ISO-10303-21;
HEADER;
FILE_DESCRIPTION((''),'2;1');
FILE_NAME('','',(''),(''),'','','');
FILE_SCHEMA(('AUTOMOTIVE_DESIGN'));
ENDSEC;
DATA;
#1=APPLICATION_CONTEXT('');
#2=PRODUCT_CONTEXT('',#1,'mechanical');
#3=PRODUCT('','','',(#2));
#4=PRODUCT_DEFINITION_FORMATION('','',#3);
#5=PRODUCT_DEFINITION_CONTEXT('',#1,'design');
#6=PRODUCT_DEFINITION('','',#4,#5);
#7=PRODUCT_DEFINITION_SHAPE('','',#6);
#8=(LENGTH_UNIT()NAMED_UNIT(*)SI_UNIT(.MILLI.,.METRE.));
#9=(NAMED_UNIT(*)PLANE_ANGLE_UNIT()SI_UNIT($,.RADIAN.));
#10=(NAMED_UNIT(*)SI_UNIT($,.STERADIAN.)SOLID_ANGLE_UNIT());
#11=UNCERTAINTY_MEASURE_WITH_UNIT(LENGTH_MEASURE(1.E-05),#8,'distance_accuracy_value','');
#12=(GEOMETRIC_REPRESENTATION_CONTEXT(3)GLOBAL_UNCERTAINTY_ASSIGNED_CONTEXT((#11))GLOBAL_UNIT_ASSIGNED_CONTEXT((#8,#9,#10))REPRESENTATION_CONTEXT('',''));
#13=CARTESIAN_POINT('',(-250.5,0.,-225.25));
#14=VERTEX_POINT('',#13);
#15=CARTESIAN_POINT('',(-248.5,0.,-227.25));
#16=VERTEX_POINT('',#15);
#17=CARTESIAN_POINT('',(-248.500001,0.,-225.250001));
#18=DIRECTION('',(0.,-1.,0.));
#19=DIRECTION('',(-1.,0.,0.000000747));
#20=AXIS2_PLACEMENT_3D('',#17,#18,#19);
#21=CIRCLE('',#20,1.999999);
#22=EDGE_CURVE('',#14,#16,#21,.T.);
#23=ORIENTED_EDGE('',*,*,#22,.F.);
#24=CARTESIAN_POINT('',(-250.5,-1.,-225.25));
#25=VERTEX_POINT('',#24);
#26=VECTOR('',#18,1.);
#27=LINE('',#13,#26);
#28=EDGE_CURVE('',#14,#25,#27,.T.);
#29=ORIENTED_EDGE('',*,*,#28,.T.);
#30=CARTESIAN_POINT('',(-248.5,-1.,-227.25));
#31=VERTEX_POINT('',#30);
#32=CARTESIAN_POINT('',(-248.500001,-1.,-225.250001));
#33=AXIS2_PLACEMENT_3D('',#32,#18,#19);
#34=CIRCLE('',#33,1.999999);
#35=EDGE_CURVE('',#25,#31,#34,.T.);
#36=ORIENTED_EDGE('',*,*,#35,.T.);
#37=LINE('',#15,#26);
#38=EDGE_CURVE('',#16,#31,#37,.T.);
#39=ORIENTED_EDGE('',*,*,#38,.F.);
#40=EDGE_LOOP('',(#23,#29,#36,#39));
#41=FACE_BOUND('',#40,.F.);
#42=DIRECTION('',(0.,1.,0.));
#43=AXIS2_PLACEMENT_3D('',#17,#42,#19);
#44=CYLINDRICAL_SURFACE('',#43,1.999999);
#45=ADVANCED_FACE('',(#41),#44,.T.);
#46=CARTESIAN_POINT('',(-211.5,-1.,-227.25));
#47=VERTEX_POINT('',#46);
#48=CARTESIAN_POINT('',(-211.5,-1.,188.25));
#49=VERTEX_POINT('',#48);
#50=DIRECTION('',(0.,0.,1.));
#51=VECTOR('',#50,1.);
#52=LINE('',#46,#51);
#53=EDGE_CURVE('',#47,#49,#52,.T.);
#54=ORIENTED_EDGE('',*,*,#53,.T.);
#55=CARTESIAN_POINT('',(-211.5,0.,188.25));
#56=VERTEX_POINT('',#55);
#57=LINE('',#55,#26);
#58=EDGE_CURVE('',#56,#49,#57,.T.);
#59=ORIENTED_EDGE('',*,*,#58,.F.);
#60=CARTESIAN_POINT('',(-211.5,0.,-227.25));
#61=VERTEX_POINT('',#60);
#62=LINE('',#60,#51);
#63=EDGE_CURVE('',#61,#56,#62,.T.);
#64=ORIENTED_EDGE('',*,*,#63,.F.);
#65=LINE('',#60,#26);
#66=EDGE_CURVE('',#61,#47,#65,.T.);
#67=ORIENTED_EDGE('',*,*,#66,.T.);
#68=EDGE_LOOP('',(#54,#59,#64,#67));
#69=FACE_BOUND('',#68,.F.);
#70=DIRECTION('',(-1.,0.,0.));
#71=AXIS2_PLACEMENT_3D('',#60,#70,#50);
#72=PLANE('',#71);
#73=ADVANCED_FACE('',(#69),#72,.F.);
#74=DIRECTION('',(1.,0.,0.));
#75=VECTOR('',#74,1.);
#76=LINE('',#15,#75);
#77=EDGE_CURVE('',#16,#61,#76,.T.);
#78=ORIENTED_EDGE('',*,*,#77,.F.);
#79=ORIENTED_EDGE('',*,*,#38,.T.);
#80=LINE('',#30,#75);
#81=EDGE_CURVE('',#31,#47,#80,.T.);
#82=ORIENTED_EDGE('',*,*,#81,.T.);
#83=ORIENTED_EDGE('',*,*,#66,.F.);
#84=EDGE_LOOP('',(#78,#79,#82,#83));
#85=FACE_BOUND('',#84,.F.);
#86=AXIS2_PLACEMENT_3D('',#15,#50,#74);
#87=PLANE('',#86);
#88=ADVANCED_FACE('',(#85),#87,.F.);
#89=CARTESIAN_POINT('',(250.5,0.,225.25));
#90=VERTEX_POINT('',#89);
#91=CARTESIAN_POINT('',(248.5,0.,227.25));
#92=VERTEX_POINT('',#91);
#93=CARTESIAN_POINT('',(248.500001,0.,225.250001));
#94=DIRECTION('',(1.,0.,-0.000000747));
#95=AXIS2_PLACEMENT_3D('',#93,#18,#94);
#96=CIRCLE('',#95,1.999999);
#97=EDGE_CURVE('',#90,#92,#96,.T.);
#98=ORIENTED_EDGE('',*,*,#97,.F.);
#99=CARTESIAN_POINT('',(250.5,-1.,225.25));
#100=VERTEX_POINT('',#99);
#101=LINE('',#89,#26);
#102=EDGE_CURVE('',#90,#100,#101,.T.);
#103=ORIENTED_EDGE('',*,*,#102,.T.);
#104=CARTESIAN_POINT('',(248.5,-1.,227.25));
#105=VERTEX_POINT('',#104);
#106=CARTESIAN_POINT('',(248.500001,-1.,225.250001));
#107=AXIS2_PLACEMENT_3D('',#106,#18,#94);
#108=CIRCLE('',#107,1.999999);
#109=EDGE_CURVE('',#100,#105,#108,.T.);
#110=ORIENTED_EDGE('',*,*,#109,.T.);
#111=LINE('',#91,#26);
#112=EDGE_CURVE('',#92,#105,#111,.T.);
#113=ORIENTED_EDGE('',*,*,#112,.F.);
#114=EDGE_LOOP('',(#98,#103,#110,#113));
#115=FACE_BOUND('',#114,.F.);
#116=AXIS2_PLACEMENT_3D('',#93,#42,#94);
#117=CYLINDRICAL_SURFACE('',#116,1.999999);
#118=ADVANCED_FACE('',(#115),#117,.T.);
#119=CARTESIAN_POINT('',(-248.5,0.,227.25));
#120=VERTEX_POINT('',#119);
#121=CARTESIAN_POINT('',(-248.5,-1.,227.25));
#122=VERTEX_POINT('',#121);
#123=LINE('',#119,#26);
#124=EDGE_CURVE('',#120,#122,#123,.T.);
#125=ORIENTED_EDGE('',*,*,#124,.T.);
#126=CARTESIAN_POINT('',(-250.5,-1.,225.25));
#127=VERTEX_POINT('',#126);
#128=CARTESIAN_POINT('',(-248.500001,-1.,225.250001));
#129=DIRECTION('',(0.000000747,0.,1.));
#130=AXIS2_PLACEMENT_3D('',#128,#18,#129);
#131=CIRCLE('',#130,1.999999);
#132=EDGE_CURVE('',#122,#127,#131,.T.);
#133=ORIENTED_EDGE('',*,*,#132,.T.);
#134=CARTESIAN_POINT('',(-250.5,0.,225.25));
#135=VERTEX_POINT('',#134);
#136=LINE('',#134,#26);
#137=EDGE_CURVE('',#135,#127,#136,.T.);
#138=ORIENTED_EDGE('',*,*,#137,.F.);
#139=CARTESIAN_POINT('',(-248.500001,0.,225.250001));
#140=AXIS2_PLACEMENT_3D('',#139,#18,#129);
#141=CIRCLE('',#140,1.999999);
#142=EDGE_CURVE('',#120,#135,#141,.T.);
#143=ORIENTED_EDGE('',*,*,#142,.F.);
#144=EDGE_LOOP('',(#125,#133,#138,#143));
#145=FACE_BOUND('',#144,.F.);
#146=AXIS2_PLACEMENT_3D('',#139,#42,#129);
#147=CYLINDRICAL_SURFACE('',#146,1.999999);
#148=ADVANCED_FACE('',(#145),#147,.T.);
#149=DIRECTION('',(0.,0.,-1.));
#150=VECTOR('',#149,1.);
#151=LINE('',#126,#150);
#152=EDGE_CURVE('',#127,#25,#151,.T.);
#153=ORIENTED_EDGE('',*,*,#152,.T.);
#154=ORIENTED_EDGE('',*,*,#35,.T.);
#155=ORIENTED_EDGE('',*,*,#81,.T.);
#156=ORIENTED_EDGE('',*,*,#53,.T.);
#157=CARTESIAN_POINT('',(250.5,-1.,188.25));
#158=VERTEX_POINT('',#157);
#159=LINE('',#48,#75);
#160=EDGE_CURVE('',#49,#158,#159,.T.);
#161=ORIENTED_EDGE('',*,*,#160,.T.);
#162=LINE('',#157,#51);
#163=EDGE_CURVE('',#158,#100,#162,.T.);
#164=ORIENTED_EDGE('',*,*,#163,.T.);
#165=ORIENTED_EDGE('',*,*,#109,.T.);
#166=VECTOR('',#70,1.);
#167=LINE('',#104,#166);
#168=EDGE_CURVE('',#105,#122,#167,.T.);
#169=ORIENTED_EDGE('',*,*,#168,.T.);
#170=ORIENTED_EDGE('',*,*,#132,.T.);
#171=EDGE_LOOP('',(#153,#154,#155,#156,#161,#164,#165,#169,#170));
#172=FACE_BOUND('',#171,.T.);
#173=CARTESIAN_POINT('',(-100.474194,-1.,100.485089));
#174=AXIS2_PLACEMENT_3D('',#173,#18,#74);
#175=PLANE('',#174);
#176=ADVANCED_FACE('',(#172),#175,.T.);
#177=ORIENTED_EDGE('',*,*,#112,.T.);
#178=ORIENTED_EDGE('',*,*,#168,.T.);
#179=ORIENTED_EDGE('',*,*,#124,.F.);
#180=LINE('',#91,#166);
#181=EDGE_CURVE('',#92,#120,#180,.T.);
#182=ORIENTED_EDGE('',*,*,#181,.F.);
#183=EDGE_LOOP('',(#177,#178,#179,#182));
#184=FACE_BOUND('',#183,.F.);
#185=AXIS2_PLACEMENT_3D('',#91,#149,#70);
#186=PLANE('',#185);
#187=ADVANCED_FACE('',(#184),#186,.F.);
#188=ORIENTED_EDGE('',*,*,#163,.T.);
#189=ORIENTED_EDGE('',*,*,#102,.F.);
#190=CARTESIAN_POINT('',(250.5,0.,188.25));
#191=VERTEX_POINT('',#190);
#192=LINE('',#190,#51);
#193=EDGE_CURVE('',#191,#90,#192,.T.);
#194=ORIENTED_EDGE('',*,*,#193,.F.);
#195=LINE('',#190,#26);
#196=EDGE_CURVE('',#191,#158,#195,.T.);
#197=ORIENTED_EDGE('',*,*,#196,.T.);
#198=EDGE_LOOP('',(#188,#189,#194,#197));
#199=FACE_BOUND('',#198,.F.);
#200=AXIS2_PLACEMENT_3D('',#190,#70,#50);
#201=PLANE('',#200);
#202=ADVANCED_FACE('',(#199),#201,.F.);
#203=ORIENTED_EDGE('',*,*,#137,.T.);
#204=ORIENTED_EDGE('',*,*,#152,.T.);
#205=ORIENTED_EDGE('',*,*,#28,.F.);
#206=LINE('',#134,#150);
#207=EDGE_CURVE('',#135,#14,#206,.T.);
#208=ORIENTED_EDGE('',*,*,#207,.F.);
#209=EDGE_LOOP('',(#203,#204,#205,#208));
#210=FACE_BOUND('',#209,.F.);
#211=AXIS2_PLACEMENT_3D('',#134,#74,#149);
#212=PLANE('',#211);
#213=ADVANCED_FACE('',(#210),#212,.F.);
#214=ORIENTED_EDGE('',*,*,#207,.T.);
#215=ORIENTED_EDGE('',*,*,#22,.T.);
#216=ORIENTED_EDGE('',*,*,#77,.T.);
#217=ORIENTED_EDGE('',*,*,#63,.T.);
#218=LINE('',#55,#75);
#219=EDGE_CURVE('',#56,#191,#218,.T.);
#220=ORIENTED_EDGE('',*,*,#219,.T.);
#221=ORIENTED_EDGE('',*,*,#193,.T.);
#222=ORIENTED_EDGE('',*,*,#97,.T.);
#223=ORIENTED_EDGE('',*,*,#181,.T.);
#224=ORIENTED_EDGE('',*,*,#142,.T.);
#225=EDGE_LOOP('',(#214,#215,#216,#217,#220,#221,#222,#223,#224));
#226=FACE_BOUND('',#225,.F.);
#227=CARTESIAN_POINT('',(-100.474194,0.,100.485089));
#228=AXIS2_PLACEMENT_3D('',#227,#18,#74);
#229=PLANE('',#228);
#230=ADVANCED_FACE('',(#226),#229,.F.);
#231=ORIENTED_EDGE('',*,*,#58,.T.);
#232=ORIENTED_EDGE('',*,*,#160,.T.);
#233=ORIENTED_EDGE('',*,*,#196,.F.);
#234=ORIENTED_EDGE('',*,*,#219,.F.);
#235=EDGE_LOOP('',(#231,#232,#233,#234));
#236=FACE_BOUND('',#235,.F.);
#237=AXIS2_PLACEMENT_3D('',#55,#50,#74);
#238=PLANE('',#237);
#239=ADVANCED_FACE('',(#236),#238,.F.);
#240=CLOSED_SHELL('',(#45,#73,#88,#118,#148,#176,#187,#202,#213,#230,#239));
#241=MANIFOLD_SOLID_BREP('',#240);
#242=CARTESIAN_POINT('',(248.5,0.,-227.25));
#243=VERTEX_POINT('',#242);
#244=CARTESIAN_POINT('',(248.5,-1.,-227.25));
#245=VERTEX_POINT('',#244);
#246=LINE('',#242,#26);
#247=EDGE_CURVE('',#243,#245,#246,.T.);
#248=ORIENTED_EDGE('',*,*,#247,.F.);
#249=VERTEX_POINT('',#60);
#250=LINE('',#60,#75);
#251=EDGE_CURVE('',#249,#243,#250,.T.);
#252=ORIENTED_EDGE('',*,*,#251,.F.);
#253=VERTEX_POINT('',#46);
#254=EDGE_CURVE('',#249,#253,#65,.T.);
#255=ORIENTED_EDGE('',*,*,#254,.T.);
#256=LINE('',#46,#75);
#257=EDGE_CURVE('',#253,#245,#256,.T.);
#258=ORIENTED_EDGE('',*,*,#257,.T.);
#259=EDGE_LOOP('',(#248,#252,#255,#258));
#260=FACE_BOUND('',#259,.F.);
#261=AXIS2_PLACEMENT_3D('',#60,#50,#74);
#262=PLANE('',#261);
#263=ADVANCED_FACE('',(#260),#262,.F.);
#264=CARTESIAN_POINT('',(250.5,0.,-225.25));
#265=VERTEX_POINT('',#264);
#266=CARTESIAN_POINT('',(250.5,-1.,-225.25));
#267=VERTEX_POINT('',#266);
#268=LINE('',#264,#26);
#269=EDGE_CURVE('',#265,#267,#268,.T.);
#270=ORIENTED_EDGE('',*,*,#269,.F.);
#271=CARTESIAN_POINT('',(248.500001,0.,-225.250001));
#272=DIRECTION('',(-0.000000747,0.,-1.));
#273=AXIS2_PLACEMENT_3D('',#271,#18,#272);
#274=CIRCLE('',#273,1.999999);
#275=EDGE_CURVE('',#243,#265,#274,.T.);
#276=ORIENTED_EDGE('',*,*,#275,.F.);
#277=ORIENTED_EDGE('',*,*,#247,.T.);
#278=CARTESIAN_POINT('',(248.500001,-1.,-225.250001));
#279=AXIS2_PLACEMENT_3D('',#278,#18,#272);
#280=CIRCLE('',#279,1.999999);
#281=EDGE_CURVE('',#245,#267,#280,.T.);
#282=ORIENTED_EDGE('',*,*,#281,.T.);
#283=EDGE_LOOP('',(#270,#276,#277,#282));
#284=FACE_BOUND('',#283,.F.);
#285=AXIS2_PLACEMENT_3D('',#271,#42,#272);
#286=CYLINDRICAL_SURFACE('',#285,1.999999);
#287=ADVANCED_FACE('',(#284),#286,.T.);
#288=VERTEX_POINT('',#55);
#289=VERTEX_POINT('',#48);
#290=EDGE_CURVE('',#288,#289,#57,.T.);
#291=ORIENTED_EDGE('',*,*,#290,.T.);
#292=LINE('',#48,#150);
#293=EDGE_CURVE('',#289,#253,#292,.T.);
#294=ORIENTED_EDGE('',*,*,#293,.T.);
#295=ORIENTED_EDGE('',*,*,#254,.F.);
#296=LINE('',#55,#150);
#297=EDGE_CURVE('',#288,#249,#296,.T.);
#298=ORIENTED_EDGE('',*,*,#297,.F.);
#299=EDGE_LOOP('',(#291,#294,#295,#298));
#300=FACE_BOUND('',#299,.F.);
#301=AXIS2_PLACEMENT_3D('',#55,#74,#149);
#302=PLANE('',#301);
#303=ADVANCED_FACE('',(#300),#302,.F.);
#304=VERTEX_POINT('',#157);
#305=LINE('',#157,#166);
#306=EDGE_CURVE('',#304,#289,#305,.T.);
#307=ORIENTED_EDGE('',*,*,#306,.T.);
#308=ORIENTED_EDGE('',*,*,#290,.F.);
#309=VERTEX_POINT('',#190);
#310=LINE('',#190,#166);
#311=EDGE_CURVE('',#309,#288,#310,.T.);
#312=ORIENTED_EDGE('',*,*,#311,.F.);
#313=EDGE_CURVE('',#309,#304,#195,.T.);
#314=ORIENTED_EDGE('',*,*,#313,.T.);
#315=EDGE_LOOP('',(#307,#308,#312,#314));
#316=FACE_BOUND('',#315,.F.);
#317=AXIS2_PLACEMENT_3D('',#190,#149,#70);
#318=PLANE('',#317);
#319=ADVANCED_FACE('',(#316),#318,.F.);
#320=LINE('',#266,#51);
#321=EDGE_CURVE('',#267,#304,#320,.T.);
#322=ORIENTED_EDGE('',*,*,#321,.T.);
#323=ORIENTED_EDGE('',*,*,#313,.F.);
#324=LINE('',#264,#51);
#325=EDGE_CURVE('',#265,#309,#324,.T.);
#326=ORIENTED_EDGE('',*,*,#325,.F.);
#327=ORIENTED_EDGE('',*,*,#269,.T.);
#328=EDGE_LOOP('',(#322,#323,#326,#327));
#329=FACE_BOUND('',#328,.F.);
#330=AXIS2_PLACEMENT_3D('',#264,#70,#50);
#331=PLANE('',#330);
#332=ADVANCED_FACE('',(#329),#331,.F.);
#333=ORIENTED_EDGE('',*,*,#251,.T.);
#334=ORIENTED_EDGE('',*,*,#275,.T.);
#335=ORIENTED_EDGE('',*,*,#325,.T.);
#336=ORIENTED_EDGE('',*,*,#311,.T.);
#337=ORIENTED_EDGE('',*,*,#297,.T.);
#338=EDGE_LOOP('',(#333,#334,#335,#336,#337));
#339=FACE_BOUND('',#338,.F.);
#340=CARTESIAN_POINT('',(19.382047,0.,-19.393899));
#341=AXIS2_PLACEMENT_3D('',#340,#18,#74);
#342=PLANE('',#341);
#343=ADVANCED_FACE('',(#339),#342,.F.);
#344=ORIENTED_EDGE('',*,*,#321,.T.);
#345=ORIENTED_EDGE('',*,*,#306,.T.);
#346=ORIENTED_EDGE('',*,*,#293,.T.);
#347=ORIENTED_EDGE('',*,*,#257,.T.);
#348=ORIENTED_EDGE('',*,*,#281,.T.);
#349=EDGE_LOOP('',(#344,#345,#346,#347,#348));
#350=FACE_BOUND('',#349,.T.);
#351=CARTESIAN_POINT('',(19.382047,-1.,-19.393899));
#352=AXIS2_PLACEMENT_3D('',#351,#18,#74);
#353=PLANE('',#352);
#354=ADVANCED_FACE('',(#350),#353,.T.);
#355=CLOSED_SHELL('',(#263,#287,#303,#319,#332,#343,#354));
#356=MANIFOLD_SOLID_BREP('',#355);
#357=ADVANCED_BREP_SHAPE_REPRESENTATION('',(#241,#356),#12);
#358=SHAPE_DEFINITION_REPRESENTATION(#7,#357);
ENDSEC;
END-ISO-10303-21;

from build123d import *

# Parameters (mm, degrees)
F1_DEPTH = 1
F2_DEPTH = 1


with BuildPart() as f1:
    # F0 (on Front) → F1 (new body)
    with BuildSketch(Plane.XZ):
        with BuildLine():
            Line((250.5, -225.25), (250.5, 188.25))
            Line((250.5, 188.25), (-211.5, 188.25))
            Line((-211.5, 188.25), (-211.5, -227.25))
            Line((-211.5, -227.25), (248.5, -227.25))
            ThreePointArc((248.5, -227.25), (249.914214, -226.664214), (250.5, -225.25))
        make_face()
    extrude(amount=F1_DEPTH)


with BuildPart() as f2:
    # F0 (on Front) → F2 (new body)
    with BuildSketch(Plane.XZ):
        with BuildLine():
            ThreePointArc((250.5, 225.25), (249.914214, 226.664214), (248.5, 227.25))
            Line((248.5, 227.25), (-248.5, 227.25))
            ThreePointArc((-248.5, 227.25), (-249.914214, 226.664214), (-250.5, 225.25))
            Line((-250.5, 225.25), (-250.5, -225.25))
            ThreePointArc((-250.5, -225.25), (-249.914214, -226.664214), (-248.5, -227.25))
            Line((-248.5, -227.25), (-211.5, -227.25))
            Line((-211.5, -227.25), (-211.5, 188.25))
            Line((-211.5, 188.25), (250.5, 188.25))
            Line((250.5, 188.25), (250.5, 225.25))
        make_face()
    extrude(amount=F2_DEPTH)


solid = Compound([f1.part, f2.part])
